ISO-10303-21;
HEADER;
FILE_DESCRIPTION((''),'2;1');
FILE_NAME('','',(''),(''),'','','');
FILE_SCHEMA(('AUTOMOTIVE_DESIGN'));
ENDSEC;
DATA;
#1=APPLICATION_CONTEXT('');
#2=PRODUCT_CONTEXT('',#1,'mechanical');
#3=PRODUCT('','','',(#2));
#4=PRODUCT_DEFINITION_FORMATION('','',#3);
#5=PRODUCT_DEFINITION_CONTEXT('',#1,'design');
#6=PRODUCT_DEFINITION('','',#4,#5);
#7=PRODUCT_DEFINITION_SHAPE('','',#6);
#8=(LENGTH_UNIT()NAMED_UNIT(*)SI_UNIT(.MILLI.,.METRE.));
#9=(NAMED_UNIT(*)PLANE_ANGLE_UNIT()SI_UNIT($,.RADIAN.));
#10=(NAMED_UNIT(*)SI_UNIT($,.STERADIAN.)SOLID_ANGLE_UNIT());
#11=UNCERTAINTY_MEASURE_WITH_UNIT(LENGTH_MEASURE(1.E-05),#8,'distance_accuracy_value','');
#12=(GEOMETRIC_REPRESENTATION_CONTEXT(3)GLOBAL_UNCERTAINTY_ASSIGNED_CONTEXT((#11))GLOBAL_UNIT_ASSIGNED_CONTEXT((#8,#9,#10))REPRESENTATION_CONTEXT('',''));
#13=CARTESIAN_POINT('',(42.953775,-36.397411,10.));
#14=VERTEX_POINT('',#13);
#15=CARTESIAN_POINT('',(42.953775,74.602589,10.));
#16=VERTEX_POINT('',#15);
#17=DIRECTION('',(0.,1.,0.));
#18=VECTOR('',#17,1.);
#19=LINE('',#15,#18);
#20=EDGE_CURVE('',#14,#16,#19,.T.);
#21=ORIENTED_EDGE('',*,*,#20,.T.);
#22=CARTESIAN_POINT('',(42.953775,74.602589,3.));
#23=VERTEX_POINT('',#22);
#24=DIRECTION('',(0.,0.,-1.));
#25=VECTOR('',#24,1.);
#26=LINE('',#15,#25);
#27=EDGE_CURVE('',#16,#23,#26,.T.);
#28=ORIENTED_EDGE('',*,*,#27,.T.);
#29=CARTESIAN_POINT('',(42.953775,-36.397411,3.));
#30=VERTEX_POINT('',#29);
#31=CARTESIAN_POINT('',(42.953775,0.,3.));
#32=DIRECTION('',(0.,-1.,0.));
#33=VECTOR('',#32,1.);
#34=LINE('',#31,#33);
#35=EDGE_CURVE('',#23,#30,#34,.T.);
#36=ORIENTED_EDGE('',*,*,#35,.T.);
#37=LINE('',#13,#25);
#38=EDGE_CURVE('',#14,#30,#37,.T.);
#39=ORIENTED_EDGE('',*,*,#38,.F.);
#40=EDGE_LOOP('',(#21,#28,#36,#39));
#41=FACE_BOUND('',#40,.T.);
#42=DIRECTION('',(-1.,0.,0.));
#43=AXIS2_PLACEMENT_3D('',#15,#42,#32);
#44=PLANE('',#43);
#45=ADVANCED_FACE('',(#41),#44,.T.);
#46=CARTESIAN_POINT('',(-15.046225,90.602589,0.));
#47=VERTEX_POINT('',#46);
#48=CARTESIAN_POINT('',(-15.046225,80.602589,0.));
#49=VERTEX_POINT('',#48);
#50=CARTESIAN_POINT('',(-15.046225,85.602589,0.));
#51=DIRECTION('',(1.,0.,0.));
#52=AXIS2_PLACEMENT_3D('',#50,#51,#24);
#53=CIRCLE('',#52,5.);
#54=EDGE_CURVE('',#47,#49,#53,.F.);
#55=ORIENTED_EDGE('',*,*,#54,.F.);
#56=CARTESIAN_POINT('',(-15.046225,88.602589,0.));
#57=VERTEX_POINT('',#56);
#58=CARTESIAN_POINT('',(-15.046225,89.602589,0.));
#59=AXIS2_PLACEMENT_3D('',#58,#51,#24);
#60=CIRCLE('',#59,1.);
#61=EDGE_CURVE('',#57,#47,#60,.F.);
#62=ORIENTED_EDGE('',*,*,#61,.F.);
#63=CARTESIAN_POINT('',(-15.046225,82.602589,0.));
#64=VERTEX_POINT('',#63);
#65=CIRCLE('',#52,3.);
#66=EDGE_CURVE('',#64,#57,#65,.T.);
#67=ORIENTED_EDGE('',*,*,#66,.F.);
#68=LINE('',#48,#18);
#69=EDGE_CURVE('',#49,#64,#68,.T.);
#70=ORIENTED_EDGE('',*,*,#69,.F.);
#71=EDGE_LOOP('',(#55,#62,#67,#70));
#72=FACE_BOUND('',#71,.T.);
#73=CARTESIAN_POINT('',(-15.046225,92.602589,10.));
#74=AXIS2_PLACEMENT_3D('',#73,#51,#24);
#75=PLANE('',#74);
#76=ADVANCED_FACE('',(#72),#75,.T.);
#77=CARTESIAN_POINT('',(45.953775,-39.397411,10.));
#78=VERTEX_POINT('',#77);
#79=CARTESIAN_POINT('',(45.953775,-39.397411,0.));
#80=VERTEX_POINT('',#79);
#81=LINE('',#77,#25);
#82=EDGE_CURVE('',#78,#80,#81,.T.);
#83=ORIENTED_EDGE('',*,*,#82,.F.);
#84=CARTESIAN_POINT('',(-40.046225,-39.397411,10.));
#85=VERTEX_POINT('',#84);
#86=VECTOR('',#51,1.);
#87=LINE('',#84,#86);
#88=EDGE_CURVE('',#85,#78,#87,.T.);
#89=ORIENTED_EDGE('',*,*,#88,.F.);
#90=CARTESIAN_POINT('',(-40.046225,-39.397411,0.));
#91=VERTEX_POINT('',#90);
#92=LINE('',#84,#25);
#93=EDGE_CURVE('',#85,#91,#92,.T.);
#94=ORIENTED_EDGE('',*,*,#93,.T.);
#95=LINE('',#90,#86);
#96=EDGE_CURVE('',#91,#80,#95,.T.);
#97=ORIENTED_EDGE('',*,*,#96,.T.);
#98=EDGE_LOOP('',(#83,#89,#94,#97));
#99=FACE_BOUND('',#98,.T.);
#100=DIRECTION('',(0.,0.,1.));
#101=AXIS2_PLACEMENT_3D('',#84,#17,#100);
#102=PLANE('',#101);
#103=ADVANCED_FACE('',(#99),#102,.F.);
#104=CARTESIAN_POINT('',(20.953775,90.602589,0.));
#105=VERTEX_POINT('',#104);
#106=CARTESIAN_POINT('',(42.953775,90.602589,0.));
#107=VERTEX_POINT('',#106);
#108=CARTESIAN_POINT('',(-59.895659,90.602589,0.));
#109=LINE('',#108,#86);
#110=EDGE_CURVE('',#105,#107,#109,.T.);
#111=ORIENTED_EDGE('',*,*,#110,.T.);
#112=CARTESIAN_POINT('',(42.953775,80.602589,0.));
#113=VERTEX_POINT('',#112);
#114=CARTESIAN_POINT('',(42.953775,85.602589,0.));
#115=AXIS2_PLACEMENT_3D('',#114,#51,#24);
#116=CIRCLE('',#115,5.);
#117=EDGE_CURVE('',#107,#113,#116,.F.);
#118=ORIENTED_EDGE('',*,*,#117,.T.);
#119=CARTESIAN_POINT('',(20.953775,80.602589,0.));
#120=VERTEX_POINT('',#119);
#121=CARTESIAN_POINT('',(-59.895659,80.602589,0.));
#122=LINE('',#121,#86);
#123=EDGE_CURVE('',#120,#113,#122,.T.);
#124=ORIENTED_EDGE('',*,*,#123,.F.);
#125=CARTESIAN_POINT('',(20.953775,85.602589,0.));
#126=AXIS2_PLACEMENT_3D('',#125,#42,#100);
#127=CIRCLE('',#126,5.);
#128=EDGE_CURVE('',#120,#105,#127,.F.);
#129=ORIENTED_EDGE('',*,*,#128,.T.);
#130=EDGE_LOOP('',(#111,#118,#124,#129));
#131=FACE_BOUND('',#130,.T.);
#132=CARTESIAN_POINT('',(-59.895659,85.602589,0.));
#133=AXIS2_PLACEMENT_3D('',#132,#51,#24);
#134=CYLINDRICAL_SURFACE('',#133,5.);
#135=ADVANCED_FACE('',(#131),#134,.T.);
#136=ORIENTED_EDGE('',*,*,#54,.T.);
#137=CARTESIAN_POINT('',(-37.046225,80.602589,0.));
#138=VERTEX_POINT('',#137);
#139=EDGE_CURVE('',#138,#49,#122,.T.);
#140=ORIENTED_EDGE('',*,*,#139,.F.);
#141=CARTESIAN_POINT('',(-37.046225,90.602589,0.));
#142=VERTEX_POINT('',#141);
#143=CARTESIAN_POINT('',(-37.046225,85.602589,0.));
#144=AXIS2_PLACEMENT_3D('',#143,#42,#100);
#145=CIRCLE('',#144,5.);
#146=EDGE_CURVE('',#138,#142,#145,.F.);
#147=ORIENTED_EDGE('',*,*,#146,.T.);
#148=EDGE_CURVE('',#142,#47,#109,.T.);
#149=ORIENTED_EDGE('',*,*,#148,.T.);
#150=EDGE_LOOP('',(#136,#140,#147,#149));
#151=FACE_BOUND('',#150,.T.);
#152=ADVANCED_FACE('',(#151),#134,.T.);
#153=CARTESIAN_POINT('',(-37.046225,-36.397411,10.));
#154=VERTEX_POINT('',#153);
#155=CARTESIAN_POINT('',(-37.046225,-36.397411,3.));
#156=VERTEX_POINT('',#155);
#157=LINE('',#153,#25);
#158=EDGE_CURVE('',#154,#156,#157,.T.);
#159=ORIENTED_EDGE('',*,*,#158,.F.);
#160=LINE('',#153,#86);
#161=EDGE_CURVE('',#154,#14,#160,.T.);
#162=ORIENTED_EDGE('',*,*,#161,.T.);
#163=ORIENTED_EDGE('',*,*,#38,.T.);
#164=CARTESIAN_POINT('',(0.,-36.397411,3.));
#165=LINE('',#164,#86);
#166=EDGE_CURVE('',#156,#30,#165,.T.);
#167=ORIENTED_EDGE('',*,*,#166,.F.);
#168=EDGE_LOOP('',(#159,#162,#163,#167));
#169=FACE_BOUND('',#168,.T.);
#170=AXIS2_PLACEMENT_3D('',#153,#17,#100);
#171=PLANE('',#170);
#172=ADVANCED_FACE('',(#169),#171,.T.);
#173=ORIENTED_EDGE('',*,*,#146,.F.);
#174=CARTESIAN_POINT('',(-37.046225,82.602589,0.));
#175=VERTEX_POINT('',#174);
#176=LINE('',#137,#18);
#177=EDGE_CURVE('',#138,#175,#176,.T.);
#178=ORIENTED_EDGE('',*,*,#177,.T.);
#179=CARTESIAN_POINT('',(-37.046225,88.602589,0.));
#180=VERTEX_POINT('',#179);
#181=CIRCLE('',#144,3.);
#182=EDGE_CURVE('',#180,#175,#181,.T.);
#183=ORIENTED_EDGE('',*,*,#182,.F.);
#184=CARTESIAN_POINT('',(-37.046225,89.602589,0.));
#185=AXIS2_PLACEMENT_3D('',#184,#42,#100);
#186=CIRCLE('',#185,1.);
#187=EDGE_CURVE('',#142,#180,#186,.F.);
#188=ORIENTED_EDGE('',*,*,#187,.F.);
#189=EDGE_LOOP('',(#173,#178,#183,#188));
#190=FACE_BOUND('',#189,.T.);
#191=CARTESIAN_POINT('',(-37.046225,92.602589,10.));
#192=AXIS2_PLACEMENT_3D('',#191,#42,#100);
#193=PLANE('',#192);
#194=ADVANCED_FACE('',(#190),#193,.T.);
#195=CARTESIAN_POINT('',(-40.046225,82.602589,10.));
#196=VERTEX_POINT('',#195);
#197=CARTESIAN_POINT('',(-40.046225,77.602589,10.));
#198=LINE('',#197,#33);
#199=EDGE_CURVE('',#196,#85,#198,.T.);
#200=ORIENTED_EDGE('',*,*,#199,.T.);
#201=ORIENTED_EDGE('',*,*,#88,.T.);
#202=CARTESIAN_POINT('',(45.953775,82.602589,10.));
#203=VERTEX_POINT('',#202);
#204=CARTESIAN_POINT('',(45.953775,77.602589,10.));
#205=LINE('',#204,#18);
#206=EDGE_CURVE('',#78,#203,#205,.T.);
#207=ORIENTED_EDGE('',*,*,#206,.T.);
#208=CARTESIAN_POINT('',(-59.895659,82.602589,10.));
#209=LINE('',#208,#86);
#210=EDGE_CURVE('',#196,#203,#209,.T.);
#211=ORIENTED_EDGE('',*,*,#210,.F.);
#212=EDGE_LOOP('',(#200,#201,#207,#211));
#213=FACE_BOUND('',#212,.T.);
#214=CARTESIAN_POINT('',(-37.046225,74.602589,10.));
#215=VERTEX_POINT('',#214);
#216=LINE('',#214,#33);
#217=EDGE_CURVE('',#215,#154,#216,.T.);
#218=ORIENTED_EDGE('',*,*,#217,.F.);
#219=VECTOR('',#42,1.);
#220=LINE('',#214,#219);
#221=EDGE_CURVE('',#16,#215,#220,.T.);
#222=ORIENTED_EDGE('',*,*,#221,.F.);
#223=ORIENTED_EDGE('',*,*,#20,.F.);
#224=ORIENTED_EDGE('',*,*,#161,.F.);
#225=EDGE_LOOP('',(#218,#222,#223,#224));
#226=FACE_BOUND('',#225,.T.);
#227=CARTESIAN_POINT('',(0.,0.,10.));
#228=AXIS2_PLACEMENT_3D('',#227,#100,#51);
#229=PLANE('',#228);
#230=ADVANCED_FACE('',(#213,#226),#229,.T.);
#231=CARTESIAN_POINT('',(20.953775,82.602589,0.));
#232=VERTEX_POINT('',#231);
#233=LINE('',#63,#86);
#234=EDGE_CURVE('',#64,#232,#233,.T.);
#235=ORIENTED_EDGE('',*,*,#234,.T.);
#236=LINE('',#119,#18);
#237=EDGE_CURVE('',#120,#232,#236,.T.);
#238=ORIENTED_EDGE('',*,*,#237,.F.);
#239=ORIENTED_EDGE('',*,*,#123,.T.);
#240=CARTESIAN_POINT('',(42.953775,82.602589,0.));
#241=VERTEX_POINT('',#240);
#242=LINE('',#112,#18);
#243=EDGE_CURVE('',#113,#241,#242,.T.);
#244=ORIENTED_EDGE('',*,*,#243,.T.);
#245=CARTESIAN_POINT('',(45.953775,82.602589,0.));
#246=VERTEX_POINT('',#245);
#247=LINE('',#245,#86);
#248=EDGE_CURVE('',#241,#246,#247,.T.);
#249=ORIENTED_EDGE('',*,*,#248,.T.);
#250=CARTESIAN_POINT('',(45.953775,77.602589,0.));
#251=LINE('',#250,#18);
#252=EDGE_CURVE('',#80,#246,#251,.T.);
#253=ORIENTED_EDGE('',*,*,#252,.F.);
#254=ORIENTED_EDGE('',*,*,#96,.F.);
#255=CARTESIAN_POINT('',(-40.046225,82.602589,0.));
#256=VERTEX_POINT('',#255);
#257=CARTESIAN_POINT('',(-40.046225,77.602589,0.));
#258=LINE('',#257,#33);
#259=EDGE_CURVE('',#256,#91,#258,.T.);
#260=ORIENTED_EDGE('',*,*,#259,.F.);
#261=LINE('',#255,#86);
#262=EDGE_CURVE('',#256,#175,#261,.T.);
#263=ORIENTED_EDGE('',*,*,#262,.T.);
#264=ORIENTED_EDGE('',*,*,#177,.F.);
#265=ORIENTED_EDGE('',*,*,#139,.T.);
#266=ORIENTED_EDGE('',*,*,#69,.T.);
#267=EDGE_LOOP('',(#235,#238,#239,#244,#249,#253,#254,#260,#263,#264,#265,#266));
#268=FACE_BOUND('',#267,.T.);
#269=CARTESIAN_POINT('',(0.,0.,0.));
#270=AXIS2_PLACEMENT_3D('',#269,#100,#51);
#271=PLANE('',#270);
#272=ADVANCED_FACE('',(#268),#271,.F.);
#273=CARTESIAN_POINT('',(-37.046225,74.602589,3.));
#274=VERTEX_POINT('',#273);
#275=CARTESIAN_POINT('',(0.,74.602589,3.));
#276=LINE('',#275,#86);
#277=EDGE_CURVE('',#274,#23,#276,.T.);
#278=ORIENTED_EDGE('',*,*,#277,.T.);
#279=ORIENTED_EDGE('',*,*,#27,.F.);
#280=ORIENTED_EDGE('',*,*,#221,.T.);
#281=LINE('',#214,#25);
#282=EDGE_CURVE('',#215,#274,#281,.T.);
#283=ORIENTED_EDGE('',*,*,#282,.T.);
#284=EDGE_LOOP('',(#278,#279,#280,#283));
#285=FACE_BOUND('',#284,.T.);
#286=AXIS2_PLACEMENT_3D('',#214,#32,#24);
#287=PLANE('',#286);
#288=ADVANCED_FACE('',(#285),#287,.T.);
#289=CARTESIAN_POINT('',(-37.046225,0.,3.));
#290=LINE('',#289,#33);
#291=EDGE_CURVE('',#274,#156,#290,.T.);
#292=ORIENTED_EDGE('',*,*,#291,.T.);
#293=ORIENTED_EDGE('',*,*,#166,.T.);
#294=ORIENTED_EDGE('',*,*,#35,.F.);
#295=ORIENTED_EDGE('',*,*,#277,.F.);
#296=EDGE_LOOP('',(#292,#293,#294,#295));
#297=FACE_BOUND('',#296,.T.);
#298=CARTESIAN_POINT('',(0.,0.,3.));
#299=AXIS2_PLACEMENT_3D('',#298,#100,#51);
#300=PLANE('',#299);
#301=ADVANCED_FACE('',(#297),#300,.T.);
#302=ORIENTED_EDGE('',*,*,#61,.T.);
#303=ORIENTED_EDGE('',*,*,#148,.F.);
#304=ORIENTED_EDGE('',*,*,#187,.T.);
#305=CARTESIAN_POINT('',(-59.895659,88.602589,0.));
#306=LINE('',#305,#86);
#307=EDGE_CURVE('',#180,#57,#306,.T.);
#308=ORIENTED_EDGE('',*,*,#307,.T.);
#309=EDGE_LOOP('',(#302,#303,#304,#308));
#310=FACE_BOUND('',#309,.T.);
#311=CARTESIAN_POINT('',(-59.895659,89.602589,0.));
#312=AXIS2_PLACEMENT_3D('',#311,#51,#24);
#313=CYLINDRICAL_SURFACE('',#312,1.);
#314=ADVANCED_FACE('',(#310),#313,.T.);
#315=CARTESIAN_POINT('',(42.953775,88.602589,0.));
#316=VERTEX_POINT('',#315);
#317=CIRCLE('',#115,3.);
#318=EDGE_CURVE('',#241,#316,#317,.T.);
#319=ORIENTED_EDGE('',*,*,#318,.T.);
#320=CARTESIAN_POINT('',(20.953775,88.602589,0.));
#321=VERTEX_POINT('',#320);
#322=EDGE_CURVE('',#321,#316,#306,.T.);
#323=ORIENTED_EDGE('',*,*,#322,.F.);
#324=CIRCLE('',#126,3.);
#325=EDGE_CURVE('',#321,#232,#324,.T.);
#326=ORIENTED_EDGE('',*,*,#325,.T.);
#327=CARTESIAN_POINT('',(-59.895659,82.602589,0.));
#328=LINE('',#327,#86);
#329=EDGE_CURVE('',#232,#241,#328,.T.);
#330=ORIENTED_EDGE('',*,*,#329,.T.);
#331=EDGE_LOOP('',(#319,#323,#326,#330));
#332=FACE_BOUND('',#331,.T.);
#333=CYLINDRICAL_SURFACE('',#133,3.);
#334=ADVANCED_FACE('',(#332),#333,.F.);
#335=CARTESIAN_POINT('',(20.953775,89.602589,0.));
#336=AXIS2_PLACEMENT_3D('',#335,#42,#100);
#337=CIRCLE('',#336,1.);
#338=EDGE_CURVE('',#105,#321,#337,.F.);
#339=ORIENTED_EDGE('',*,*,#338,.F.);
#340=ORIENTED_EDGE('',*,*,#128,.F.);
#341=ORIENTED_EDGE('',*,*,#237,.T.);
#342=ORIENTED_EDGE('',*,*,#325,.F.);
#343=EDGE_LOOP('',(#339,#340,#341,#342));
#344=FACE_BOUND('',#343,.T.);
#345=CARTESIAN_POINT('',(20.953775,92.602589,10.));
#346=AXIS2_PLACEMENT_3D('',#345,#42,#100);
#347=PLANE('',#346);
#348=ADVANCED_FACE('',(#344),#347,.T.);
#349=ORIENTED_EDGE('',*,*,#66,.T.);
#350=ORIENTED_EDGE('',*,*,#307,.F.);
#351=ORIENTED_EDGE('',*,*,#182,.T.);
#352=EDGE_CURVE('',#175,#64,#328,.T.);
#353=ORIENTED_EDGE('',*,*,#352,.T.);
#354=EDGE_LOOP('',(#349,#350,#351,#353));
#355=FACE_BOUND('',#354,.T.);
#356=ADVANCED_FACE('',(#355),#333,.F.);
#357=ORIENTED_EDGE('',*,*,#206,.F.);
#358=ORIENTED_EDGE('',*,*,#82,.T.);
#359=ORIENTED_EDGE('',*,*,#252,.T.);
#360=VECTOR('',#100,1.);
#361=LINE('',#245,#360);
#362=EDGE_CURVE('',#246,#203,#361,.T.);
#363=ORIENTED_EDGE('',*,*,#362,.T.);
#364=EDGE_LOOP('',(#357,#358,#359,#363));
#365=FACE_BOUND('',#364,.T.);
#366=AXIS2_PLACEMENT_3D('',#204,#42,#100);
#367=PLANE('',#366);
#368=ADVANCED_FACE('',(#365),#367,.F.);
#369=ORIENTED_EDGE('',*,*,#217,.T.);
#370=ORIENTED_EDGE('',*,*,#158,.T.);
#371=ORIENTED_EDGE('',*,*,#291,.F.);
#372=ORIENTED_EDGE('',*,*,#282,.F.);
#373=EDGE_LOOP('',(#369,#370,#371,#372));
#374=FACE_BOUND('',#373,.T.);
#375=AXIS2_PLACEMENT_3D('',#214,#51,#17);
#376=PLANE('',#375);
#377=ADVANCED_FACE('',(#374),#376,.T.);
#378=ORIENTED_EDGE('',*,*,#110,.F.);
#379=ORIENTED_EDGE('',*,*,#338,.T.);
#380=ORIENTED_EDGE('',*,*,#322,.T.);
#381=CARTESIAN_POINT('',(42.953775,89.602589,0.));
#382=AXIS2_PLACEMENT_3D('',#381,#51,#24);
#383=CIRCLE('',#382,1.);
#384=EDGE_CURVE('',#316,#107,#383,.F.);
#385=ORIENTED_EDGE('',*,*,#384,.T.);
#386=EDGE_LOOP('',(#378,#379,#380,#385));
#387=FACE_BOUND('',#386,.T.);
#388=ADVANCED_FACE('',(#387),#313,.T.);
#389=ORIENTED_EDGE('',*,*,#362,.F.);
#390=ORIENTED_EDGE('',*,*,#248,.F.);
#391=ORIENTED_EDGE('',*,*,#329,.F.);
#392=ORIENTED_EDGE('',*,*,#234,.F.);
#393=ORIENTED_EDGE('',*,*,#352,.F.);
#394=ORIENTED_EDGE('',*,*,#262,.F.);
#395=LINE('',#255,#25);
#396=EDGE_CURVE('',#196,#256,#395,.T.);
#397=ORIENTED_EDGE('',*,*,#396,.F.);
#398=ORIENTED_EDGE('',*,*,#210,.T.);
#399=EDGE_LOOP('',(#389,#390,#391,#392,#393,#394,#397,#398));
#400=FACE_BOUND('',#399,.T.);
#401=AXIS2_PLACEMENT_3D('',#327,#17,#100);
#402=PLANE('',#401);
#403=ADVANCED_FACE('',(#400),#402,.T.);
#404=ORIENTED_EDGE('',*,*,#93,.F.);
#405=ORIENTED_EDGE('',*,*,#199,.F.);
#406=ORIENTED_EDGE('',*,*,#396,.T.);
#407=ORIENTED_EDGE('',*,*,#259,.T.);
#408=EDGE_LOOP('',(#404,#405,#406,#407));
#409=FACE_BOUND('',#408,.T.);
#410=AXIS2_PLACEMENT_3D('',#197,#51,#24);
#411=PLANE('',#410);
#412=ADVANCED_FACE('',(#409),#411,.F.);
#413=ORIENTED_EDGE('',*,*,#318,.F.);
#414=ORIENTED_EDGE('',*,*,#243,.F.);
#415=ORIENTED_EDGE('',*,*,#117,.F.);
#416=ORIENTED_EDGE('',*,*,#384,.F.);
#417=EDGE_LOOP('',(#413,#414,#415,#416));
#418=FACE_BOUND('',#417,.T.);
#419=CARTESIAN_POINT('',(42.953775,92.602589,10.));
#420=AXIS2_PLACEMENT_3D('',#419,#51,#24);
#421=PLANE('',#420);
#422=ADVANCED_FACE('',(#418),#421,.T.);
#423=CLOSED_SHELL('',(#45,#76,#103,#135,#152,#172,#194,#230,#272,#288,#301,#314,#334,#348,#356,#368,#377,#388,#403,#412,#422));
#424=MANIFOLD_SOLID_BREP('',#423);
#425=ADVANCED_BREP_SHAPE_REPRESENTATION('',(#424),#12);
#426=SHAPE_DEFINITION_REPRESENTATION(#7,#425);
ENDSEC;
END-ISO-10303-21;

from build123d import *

# Parameters (mm, degrees)
EKRAN_TABAN_W               = 86
EKRAN_TABAN_H               = 117
EKRAN_TABAN_W_2             = 80
EKRAN_TABAN_H_2             = 111
Y_KSEKLIK_EKSTR_ZYON1_DEPTH = 10
EKRAN_TABAN_2_W             = 80
EKRAN_TABAN_2_H             = 111
Y_KSEKLIK_EKSTR_ZYON2_DEPTH = 3
Y_KSEKLIK_EKSTR_ZYON3_DEPTH = 86
IZIM6_W                     = 3
IZIM6_H                     = 15
IZIM6_W_2                   = 36
KES_EKSTR_ZYON3_DEPTH       = 10
IZIM8_W                     = 3
IZIM8_H                     = 5
IZIM8_W_2                   = 36
KES_EKSTR_ZYON5_DEPTH       = 2


with BuildPart() as part:
    # ekran_taban → Yükseklik-Ekstrüzyon1 (new body)
    with BuildSketch(Plane.XY):
        with Locations((2.953774531, 19.102589183)):
            Rectangle(EKRAN_TABAN_W, EKRAN_TABAN_H)
        with Locations((2.953774531, 19.102589183)):
            Rectangle(EKRAN_TABAN_W_2, EKRAN_TABAN_H_2, mode=Mode.SUBTRACT)
    extrude(amount=Y_KSEKLIK_EKSTR_ZYON1_DEPTH)

    # ekran_taban<2> → Yükseklik-Ekstrüzyon2 (add)
    with BuildSketch(Plane.XY):
        with Locations((2.953774531, 19.102589183)):
            Rectangle(EKRAN_TABAN_2_W, EKRAN_TABAN_2_H)
    extrude(amount=Y_KSEKLIK_EKSTR_ZYON2_DEPTH)

    # Çizim3 → Yükseklik-Ekstrüzyon3 (add)
    with BuildSketch(Plane(origin=(45.953774531, 0, 0), x_dir=(0, 0, -1), z_dir=(1, 0, 0))):
        with BuildLine():
            Line((-10, 77.602589183), (0, 77.602589183))
            Line((0, 77.602589183), (0, 80.602589183))
            ThreePointArc((0, 80.602589183), (5, 85.602589183), (0, 90.602589183))
            ThreePointArc((0, 90.602589183), (-1, 89.602589183), (0, 88.602589183))
            ThreePointArc((0, 88.602589183), (3, 85.602589183), (0, 82.602589183))
            Line((0, 82.602589183), (-10, 82.602589183))
            Line((-10, 82.602589183), (-10, 77.602589183))
        make_face()
    extrude(amount=-Y_KSEKLIK_EKSTR_ZYON3_DEPTH)

    # Çizim6 → Kes-Ekstrüzyon3 (cut)
    with BuildSketch(Plane(origin=(0, 82.602589183, 0), x_dir=(1, 0, 0), z_dir=(0, 1, 0))):
        with Locations((-38.546225469, -2.5)):
            Rectangle(IZIM6_W, IZIM6_H)
        with Locations((2.953774531, -2.5)):
            Rectangle(IZIM6_W_2, IZIM6_H)
        with Locations((44.453774531, -2.5)):
            Rectangle(IZIM6_W, IZIM6_H)
    extrude(amount=KES_EKSTR_ZYON3_DEPTH, mode=Mode.SUBTRACT)

    # Çizim8 → Kes-Ekstrüzyon5 (cut)
    with BuildSketch(Plane(origin=(0, 82.602589183, 0), x_dir=(1, 0, 0), z_dir=(0, 1, 0))):
        with Locations((-38.546225469, 2.5)):
            Rectangle(IZIM8_W, IZIM8_H)
        with Locations((44.453774531, 2.5)):
            Rectangle(IZIM8_W, IZIM8_H)
        with Locations((2.953774531, 2.5)):
            Rectangle(IZIM8_W_2, IZIM8_H)
    extrude(amount=-KES_EKSTR_ZYON5_DEPTH, mode=Mode.SUBTRACT)


solid = part.part
